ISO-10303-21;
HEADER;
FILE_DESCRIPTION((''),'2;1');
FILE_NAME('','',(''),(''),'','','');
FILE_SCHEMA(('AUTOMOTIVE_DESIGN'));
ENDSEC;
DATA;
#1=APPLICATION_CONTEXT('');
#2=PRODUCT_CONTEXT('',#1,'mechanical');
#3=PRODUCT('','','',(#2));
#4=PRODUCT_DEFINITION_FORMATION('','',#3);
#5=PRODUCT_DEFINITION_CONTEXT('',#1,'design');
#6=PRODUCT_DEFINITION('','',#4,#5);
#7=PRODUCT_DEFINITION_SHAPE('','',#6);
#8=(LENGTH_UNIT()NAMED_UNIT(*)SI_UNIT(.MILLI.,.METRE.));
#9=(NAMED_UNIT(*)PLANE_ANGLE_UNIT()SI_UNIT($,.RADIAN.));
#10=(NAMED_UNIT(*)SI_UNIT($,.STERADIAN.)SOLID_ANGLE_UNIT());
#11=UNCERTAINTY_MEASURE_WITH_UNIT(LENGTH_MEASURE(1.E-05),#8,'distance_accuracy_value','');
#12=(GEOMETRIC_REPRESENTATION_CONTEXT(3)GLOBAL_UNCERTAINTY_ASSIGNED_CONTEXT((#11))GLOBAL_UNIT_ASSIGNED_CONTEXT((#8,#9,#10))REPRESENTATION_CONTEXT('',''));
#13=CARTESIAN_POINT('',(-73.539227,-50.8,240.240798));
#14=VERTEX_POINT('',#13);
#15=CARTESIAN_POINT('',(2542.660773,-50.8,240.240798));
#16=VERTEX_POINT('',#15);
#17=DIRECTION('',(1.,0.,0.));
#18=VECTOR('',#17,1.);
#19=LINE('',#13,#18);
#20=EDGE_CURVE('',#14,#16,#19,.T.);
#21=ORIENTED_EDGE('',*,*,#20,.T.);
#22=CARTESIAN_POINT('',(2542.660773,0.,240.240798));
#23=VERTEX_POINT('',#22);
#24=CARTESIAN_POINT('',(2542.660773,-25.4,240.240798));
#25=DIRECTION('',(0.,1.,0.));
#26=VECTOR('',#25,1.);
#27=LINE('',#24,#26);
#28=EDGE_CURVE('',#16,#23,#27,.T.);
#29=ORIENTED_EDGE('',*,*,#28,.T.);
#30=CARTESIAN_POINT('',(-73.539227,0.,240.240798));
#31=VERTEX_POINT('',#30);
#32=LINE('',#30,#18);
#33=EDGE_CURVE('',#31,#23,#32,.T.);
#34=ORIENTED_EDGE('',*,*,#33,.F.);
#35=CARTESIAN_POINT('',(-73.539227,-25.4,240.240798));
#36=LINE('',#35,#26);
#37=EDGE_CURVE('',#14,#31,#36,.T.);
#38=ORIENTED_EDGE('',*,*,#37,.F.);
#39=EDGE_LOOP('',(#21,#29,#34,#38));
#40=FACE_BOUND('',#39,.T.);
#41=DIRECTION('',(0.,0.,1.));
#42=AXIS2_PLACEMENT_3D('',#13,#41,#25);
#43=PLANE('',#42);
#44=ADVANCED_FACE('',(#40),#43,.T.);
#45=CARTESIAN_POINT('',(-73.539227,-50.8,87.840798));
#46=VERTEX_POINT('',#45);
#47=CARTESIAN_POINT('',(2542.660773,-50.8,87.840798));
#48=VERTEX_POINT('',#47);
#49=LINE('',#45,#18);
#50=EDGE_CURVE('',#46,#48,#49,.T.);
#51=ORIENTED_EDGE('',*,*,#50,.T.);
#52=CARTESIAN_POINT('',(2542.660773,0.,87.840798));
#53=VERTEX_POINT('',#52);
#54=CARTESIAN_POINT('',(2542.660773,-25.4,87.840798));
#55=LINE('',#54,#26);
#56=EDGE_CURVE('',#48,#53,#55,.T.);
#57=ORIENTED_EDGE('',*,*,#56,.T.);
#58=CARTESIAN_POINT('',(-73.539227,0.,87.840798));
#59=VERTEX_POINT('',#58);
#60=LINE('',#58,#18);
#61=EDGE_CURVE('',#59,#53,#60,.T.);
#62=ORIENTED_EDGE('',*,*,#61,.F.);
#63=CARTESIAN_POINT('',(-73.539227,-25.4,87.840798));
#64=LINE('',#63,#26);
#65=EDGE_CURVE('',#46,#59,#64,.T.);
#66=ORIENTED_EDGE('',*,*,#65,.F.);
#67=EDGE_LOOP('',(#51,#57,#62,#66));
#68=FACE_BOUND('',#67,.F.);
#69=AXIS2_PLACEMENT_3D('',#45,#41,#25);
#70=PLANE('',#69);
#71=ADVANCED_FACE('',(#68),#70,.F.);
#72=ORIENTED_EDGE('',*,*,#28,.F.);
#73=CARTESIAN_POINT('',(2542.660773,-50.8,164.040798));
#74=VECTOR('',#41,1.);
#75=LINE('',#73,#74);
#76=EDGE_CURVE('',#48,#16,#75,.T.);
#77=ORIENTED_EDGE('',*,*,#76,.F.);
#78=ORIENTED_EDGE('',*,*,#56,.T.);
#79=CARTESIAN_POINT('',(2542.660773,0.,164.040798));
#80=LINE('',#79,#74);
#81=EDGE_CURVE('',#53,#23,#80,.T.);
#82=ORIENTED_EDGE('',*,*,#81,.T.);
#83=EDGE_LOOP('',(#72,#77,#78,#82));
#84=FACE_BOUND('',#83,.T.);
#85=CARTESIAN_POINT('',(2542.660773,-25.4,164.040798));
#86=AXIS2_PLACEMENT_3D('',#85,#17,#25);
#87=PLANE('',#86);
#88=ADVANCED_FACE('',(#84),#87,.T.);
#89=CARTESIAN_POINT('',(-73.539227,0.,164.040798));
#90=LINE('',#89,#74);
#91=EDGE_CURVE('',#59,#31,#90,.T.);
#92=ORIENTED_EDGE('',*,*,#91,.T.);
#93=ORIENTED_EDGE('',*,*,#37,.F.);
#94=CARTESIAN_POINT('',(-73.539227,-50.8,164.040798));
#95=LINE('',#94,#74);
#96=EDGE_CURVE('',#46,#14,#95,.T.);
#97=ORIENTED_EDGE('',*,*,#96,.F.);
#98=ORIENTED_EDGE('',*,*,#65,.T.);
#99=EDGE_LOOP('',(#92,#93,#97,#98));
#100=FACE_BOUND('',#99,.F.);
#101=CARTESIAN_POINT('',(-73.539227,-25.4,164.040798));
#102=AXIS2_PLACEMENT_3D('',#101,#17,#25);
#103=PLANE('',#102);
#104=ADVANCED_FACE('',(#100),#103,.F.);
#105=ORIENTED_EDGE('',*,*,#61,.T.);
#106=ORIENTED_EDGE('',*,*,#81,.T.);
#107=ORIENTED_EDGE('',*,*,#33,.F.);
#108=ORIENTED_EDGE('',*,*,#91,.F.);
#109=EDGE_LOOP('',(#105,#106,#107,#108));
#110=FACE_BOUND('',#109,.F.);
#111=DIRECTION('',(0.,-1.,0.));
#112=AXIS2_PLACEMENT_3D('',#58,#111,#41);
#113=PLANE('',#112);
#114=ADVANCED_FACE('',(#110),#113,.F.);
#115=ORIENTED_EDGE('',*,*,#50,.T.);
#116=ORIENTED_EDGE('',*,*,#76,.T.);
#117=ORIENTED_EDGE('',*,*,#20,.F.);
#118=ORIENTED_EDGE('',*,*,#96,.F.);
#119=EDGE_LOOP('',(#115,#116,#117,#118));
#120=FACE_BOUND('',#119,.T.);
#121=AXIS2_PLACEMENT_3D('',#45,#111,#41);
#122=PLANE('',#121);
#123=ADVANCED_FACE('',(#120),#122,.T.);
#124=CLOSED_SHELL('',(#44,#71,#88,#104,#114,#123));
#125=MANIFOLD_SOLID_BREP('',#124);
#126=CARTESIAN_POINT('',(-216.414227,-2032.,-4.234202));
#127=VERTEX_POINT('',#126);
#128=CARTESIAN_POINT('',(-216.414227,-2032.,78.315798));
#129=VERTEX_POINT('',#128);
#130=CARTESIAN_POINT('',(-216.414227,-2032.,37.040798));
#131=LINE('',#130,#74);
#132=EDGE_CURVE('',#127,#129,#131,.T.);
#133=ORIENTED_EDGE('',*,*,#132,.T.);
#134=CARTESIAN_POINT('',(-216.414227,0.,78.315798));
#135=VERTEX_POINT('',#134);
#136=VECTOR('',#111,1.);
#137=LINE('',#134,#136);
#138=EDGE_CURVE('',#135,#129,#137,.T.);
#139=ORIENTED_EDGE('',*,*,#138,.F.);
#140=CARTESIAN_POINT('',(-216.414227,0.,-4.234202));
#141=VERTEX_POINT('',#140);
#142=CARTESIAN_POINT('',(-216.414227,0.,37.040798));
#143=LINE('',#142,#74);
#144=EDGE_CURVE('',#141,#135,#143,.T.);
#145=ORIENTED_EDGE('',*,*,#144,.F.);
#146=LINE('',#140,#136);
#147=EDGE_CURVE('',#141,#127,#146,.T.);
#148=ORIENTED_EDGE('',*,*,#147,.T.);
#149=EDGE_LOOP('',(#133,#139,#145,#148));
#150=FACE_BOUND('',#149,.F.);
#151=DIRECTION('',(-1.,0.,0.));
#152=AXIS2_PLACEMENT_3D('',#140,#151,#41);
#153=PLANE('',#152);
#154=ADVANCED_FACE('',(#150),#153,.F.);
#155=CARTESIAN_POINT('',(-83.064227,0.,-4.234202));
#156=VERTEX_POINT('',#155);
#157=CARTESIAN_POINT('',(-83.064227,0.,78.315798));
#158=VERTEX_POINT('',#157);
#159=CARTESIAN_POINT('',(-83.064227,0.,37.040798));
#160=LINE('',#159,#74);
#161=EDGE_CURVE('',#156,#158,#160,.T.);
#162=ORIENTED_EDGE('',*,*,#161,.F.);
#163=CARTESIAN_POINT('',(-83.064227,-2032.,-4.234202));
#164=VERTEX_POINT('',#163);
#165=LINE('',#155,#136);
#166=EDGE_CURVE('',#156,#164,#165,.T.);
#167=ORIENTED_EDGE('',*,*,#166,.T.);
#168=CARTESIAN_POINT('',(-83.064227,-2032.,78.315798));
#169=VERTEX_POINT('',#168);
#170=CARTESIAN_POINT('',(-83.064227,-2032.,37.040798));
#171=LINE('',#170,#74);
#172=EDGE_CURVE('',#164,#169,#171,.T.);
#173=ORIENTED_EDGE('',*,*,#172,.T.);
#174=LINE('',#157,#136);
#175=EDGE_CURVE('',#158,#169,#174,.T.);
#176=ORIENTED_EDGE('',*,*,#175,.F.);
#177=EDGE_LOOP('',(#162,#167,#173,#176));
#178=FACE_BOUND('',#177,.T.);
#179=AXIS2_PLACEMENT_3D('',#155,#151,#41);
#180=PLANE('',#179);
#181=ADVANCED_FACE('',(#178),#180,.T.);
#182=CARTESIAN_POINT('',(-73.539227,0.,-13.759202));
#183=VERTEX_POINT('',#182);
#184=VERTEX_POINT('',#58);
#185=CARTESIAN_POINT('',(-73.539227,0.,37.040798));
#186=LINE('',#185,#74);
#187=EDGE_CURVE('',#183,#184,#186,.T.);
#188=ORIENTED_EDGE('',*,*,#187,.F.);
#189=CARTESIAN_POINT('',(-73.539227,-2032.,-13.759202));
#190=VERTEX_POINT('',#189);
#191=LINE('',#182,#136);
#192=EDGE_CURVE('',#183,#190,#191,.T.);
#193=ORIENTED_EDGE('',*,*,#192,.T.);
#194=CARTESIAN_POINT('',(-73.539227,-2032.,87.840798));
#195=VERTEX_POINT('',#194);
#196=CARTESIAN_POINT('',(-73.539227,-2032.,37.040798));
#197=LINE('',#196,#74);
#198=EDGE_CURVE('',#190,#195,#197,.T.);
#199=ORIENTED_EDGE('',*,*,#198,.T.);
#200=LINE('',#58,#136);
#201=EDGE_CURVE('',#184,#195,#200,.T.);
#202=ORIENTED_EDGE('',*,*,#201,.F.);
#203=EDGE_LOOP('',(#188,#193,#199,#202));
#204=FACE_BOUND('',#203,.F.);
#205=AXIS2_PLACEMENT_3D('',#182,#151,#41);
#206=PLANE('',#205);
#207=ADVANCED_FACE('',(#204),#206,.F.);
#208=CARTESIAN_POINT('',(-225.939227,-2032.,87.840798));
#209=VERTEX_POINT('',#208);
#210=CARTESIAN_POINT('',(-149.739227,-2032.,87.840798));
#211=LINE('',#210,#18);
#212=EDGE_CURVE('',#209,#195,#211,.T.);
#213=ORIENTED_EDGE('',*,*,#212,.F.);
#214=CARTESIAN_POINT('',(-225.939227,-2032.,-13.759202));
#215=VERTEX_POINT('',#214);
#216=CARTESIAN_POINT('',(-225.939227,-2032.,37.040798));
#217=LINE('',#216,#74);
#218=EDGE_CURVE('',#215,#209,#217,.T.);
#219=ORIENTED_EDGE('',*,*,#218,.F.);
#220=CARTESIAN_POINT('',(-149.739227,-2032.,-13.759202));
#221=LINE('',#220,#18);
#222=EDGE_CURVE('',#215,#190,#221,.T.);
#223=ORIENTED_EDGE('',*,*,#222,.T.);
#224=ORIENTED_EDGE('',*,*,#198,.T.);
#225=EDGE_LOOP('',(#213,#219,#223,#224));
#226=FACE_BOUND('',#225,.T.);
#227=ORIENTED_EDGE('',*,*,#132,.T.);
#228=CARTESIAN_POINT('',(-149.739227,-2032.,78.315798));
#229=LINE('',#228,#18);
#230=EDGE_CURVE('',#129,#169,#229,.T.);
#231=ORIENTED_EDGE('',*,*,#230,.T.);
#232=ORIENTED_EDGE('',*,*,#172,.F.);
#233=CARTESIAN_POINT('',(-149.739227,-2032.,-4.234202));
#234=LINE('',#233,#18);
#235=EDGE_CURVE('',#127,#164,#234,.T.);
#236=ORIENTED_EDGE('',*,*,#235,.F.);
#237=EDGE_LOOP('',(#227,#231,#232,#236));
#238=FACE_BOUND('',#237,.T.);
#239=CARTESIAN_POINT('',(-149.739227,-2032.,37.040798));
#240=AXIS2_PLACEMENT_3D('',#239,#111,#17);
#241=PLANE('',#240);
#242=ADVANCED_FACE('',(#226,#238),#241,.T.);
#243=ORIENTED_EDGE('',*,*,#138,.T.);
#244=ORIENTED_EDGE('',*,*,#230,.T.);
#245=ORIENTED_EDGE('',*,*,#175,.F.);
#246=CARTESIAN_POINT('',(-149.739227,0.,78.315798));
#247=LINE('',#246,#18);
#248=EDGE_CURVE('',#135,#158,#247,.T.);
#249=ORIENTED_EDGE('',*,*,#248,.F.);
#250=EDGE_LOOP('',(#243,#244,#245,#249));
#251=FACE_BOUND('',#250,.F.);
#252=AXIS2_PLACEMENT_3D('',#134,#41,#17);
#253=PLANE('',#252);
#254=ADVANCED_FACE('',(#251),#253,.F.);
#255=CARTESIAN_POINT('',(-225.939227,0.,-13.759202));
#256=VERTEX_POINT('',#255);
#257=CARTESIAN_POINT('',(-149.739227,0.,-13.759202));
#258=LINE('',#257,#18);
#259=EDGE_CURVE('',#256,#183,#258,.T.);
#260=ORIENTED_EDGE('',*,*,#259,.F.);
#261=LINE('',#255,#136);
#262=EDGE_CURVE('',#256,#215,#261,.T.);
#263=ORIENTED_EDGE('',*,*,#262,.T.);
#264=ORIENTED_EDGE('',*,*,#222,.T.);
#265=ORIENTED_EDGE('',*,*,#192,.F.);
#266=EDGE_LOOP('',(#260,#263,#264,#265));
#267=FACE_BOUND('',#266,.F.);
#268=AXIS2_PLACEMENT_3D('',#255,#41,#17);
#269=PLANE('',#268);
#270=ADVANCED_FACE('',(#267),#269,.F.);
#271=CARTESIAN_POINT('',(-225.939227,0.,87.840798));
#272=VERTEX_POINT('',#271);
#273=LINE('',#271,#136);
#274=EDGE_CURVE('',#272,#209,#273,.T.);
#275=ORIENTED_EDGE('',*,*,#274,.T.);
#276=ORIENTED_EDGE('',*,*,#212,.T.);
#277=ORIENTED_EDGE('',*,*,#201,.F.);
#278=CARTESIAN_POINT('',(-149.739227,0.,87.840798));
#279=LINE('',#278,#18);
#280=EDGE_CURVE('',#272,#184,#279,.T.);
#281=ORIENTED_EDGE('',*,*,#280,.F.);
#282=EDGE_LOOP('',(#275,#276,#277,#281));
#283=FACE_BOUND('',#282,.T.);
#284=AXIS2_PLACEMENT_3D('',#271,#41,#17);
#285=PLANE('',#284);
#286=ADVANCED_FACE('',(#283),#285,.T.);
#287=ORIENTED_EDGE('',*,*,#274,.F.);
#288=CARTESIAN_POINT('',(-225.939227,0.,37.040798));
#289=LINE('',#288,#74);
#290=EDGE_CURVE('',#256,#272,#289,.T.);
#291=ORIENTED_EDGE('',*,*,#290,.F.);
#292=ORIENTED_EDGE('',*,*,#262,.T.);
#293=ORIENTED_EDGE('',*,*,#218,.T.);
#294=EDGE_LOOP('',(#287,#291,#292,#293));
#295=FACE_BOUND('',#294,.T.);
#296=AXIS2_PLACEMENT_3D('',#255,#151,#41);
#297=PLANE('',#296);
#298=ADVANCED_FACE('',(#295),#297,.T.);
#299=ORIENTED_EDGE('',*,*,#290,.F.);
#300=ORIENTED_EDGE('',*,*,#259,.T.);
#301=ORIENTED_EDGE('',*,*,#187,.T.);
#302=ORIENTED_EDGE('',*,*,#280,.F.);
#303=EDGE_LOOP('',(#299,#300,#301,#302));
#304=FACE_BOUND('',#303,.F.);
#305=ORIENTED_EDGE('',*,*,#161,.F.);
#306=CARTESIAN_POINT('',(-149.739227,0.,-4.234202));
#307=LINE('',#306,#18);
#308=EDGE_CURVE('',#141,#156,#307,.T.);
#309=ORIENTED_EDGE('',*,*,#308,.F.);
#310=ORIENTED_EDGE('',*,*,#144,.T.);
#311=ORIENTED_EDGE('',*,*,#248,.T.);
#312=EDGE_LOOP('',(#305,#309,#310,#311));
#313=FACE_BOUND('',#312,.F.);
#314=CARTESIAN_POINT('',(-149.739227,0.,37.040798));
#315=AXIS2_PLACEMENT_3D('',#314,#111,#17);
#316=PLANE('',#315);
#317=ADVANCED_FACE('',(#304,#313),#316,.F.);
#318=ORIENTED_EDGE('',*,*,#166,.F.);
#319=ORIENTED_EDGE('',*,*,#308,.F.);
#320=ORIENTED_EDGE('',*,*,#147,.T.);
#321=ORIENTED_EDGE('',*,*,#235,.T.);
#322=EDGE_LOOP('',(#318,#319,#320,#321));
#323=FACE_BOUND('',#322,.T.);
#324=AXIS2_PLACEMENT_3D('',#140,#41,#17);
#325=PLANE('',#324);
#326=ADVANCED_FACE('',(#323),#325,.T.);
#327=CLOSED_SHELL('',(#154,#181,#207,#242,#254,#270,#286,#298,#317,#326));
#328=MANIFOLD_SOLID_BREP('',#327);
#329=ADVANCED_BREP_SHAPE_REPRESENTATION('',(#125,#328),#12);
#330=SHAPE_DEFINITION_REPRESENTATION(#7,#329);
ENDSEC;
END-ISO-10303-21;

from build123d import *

# Parameters (mm, degrees)
F0_W     = 152.4
F0_H     = 101.6
F0_W_2   = 133.35
F0_H_2   = 82.55
F1_DEPTH = 2032
F2_W     = 50.8
F2_H     = 152.4
F3_DEPTH = 2616.2


with BuildPart() as f1:
    # F0 (on Front) → F1 (new body)
    with BuildSketch(Plane.XZ):
        with Locations((-149.739227, 37.040798)):
            Rectangle(F0_W, F0_H)
        with Locations((-149.739227, 37.040798)):
            Rectangle(F0_W_2, F0_H_2, mode=Mode.SUBTRACT)
    extrude(amount=F1_DEPTH)


with BuildPart() as f3:
    # F2 (on face) → F3 (new body)
    with BuildSketch(Plane.YZ.offset(-73.539227)):
        with Locations((-25.4, 164.040798)):
            Rectangle(F2_W, F2_H)
    extrude(amount=F3_DEPTH)


solid = Compound([f1.part, f3.part])
